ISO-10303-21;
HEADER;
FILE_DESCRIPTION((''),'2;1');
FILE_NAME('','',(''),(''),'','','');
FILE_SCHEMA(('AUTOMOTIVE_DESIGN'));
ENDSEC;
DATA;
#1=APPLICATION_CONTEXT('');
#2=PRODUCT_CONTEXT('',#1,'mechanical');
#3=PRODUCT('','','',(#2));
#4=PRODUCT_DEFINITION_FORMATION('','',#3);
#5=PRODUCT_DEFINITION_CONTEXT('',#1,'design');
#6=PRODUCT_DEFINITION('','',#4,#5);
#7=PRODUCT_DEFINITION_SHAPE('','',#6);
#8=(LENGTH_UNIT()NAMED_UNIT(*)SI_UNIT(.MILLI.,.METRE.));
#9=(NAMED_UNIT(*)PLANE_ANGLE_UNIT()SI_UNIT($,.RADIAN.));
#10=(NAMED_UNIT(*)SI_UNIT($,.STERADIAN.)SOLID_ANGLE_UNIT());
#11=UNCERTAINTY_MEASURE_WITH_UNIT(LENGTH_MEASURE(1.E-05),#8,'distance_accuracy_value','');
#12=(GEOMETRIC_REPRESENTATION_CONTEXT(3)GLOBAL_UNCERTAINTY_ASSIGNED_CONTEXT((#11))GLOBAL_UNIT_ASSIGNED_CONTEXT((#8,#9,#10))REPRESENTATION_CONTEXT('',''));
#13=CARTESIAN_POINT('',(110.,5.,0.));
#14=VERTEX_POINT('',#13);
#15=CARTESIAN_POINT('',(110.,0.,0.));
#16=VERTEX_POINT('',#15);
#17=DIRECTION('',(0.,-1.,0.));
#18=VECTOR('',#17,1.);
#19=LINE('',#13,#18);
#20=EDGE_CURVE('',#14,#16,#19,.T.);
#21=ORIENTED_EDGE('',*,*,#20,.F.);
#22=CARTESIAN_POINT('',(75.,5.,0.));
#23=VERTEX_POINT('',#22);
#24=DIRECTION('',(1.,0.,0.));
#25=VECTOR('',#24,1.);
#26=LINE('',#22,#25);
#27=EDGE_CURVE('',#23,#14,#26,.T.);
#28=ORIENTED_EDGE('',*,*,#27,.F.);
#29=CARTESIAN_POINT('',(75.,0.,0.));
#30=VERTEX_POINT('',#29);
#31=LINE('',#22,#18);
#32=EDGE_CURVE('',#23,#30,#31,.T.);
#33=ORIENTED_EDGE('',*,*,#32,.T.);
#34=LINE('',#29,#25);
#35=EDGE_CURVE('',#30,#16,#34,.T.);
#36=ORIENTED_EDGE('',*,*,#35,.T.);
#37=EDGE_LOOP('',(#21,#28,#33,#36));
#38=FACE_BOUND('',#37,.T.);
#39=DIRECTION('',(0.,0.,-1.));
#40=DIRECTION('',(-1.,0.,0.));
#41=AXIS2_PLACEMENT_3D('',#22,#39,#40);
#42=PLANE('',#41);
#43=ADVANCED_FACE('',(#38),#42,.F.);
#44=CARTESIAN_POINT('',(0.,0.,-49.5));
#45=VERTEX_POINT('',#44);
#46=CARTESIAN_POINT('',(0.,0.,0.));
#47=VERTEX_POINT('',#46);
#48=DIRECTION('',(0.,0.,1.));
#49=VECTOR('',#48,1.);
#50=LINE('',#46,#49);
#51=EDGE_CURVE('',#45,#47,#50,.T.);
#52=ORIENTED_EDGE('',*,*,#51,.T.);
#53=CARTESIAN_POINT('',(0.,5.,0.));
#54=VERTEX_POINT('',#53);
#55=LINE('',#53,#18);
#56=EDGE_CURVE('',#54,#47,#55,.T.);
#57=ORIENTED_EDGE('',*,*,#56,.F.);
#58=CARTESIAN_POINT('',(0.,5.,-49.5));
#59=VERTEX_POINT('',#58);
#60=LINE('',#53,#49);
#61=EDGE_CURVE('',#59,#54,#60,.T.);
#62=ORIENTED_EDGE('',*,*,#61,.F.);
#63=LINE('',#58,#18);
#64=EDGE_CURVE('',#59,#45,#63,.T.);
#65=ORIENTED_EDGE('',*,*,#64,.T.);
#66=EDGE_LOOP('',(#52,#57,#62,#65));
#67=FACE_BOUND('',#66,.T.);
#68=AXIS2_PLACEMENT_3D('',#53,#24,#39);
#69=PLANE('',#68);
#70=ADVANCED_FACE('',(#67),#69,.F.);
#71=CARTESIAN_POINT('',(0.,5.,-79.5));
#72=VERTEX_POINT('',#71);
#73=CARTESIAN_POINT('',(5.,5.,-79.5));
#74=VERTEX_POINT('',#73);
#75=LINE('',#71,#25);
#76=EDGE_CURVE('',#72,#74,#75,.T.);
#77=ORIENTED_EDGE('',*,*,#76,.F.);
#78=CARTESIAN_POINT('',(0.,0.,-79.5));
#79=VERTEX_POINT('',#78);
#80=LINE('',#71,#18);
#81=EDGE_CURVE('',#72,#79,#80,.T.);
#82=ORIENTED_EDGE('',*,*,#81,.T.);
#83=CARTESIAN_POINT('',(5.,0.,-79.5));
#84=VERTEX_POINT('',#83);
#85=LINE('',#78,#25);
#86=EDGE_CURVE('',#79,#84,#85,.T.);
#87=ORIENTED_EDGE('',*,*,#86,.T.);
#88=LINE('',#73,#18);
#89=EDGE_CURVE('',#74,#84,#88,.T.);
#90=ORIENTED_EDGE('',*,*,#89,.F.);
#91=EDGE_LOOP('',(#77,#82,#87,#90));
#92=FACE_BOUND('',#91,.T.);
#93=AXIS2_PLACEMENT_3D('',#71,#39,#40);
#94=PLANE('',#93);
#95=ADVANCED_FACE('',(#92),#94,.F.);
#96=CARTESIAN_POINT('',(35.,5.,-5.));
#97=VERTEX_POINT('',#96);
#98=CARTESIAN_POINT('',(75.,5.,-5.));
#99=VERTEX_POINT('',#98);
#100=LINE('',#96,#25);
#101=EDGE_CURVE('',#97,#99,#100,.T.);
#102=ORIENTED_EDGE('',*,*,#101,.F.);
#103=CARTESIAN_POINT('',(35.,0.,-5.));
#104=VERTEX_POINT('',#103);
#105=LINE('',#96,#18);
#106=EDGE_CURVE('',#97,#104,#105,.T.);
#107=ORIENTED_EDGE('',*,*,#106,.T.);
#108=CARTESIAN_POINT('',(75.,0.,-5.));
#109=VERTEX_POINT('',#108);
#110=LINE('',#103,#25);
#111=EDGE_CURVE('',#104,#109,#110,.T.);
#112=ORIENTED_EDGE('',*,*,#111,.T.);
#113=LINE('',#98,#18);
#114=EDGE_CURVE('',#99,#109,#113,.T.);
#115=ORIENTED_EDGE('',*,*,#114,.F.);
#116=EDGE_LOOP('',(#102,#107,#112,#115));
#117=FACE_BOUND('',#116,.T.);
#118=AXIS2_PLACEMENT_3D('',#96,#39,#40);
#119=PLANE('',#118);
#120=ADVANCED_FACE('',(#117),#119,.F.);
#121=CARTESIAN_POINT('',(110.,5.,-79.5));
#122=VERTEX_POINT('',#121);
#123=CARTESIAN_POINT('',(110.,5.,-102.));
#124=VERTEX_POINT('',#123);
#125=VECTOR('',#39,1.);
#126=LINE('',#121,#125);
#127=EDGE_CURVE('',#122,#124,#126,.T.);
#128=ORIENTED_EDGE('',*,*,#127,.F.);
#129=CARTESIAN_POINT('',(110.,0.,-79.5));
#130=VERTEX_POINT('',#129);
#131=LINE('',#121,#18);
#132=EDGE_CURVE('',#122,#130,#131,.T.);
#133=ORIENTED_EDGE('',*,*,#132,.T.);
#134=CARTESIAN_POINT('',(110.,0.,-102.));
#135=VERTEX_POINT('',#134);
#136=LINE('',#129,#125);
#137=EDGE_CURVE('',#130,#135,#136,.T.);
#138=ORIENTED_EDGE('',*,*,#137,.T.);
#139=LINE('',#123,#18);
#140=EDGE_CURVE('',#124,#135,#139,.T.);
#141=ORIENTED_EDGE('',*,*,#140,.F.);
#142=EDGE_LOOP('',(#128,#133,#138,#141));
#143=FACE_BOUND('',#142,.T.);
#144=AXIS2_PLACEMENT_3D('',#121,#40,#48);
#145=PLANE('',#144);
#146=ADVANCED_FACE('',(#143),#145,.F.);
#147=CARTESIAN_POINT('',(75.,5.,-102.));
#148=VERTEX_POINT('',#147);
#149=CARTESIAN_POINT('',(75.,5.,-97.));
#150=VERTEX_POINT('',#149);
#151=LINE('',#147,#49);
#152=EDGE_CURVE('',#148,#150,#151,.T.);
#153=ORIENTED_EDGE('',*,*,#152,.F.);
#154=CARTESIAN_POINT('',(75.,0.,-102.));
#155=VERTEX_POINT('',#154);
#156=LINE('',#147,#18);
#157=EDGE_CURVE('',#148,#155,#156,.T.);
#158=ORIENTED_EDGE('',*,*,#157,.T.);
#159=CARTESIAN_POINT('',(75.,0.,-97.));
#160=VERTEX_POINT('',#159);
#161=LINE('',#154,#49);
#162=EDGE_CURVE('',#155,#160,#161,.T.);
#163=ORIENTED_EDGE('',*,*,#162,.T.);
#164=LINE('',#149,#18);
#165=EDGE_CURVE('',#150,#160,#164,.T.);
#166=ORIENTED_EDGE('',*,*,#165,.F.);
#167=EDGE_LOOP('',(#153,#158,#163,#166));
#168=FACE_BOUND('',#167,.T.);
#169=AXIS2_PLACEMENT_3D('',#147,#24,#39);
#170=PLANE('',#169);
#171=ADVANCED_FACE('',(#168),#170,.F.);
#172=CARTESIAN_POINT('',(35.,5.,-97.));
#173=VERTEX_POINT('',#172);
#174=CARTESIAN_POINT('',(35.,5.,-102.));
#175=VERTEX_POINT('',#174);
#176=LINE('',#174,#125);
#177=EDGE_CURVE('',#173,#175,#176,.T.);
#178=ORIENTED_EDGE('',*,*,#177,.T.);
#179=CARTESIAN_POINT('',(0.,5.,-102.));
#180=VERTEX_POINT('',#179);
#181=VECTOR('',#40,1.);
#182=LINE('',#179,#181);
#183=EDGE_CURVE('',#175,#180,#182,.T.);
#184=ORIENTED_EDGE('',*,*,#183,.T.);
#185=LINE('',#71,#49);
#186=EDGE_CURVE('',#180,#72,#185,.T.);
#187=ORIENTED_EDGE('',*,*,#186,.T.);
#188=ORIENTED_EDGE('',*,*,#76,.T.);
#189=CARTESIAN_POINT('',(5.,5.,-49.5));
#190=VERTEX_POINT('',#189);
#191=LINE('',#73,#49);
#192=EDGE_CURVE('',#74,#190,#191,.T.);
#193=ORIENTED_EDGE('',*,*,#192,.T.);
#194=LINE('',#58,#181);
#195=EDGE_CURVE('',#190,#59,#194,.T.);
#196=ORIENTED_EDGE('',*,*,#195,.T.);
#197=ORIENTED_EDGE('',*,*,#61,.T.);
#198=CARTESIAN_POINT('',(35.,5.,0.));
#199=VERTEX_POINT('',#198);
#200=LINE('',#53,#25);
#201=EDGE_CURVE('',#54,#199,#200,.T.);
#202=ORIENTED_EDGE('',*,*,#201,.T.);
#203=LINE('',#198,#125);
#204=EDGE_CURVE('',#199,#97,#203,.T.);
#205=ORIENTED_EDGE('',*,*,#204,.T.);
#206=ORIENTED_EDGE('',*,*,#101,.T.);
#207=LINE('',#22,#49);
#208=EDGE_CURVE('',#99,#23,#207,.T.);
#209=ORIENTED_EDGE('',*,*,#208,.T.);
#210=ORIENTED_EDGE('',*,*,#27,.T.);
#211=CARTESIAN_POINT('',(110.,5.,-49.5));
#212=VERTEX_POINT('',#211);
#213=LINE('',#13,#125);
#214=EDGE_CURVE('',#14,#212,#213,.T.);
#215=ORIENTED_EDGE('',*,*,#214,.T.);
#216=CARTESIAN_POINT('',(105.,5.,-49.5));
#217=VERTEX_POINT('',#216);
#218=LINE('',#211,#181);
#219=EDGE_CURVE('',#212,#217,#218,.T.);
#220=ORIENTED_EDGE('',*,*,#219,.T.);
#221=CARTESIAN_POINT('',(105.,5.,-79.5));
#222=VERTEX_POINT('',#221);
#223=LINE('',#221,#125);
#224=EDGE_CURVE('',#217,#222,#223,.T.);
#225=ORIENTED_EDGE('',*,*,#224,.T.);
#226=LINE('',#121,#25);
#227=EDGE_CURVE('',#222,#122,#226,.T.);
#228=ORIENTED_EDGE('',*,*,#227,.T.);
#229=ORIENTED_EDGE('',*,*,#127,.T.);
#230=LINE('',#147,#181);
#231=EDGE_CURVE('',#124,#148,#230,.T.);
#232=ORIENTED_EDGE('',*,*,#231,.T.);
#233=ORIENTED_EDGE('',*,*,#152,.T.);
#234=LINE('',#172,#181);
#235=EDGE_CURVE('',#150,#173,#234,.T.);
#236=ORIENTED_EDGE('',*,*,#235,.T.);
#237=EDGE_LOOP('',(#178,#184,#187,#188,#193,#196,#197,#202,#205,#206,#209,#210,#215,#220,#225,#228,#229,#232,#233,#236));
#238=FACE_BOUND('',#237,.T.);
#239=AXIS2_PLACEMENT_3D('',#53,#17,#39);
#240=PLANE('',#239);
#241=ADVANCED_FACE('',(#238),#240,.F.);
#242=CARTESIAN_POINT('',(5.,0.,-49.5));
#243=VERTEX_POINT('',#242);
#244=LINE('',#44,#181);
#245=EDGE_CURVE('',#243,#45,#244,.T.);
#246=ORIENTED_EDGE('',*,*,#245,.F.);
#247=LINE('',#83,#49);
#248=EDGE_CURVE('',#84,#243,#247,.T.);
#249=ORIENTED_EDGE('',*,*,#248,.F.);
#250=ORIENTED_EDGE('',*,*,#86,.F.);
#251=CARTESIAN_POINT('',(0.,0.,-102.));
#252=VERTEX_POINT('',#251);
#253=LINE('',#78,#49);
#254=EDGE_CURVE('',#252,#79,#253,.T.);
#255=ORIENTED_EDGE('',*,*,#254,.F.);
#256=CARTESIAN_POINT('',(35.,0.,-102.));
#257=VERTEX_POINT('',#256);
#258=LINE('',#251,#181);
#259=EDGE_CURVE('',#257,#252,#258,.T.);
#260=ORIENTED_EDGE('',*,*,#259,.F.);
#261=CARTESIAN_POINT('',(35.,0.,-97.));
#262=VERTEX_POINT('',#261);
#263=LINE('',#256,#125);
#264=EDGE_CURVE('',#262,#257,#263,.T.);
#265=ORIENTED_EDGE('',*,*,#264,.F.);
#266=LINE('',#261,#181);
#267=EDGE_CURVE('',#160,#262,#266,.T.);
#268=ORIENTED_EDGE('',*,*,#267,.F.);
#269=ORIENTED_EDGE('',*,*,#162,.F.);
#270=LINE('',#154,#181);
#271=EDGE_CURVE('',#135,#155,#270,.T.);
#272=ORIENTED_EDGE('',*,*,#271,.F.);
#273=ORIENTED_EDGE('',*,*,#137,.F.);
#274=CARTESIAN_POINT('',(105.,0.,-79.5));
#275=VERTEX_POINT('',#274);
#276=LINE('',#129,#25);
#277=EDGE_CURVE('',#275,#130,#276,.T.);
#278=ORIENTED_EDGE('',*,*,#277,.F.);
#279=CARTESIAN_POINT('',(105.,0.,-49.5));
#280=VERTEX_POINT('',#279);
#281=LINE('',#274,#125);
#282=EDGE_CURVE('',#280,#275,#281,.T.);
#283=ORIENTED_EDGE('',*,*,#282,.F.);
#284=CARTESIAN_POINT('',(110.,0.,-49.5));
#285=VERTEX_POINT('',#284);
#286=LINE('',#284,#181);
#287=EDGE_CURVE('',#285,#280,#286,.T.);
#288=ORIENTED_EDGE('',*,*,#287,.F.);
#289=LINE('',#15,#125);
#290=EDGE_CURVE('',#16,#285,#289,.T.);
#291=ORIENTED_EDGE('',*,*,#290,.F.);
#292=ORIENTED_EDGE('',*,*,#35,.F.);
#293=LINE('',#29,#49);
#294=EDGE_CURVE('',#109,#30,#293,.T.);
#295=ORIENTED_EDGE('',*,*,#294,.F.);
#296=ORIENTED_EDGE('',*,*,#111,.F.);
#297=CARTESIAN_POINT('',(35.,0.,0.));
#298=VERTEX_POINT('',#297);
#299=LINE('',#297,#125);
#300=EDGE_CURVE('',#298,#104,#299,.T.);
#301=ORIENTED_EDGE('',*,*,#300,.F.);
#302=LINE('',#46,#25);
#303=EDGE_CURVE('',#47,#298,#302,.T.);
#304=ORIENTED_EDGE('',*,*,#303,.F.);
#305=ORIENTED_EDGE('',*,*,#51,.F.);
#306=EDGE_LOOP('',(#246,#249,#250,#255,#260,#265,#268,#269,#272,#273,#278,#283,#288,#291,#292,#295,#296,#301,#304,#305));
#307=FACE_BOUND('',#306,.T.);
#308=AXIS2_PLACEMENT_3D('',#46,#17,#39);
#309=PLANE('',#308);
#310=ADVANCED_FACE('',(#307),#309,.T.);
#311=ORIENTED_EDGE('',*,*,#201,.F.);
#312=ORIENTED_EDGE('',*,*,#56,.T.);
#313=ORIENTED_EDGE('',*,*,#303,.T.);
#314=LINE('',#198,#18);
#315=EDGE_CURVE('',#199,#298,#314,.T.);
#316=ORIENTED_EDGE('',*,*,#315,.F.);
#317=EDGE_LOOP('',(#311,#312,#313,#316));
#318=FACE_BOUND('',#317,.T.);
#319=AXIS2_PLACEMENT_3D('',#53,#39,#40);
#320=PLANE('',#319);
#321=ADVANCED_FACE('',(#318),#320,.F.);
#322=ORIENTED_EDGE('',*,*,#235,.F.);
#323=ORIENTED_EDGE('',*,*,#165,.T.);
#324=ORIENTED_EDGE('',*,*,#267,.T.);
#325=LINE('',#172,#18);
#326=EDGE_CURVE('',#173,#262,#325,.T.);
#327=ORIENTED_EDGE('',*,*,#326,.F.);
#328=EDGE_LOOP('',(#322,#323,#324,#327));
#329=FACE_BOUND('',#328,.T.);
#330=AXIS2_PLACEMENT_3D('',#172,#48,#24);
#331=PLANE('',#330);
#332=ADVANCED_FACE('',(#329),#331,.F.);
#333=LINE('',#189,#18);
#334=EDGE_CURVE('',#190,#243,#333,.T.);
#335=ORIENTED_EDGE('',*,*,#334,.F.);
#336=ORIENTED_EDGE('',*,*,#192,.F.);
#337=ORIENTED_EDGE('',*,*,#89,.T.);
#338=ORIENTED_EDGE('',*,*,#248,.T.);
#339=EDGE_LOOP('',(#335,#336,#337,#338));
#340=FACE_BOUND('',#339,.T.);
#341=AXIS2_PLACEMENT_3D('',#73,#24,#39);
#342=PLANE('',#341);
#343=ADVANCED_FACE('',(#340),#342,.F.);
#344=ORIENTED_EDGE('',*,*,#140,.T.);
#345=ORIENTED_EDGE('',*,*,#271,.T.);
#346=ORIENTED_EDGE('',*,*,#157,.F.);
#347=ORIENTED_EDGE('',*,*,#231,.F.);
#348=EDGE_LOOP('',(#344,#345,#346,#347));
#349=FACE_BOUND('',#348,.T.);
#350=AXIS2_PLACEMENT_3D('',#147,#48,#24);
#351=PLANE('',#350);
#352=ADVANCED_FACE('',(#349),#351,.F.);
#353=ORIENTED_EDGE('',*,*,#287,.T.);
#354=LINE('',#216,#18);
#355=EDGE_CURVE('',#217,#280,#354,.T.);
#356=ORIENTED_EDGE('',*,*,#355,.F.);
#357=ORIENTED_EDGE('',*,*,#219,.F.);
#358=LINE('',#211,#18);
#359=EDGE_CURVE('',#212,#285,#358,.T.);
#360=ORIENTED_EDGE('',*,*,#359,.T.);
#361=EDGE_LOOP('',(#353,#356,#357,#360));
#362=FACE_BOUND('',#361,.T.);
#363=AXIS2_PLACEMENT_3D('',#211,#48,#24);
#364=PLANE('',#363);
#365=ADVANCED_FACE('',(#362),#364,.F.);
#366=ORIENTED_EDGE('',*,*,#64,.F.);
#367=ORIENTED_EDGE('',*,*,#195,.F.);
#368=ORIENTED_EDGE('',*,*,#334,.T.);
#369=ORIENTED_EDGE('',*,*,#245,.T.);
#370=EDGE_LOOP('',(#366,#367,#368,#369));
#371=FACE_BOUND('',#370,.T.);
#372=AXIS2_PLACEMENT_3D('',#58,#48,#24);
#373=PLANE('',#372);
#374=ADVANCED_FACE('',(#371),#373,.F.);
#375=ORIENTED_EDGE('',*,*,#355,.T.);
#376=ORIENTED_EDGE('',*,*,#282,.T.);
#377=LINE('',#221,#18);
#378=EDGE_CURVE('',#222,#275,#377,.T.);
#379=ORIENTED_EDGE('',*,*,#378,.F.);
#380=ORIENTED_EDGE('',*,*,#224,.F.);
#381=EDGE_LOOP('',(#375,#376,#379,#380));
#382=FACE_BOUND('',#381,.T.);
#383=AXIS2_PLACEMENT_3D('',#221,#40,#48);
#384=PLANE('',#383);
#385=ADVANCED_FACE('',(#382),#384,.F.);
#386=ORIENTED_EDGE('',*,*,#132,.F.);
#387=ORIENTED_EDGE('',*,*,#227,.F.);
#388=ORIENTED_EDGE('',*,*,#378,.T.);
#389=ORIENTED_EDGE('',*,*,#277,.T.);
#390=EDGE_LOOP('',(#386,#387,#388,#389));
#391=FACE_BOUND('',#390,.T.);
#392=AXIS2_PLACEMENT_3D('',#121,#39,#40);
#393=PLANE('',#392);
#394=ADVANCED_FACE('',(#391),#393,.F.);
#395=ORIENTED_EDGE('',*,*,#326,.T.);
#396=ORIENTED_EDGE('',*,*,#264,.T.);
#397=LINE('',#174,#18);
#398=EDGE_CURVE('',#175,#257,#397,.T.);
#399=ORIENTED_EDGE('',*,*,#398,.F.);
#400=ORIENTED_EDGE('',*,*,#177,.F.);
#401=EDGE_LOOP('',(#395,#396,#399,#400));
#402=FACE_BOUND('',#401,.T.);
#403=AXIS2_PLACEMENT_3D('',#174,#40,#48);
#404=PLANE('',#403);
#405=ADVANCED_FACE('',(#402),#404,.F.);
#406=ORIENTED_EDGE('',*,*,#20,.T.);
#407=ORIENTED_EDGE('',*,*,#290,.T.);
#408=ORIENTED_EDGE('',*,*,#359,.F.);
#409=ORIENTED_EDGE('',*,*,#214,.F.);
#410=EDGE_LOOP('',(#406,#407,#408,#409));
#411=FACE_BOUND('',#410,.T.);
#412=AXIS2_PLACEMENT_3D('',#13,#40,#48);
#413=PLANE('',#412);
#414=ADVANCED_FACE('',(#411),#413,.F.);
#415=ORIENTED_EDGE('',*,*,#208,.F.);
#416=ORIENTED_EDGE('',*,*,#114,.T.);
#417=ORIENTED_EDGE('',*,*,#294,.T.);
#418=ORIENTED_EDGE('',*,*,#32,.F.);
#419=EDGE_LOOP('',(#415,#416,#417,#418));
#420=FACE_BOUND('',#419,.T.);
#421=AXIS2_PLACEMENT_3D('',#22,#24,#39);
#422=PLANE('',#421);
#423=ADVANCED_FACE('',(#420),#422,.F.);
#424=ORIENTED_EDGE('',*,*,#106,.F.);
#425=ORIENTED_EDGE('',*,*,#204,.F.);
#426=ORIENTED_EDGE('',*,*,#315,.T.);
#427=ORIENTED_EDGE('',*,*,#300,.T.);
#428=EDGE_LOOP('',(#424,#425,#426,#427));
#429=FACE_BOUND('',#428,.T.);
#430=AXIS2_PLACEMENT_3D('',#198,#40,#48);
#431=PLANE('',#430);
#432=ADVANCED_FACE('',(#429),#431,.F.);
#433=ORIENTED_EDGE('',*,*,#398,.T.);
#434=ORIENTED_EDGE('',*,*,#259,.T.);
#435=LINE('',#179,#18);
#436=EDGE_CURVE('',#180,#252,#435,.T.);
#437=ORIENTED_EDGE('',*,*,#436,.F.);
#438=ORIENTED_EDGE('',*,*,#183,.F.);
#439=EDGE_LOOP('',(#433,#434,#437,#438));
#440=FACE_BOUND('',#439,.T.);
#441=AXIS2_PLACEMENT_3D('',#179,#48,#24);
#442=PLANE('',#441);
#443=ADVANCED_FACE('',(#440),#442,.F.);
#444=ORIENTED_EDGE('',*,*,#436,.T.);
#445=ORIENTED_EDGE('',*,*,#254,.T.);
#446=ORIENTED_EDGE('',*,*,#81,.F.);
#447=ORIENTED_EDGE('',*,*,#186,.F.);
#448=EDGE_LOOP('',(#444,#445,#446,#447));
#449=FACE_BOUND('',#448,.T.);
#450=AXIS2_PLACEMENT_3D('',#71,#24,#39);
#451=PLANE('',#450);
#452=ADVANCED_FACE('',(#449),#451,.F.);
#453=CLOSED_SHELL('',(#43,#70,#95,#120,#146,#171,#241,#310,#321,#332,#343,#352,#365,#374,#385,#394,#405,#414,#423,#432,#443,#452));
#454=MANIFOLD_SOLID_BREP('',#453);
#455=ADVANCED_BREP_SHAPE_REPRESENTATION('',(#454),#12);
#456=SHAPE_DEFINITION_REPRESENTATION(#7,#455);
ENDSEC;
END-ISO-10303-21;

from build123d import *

# Parameters (mm, degrees)
EXTRUDE_1_DEPTH = 5


with BuildPart() as part:
    # 草图1 → 凸台-拉伸1 (new body)
    with BuildSketch(Plane(origin=(0, 0, 0), x_dir=(1, 0, 0), z_dir=(0, 1, 0))):
        Polygon((75, 102), (110, 102), (110, 79.5), (105, 79.5), (105, 49.5), (110, 49.5), (110, 0), (75, 0), (75, 5), (35, 5), (35, 0), (0, 0), (0, 49.5), (5, 49.5), (5, 79.5), (0, 79.5), (0, 102), (35, 102), (35, 97), (75, 97), align=None)
    extrude(amount=EXTRUDE_1_DEPTH)


solid = part.part
